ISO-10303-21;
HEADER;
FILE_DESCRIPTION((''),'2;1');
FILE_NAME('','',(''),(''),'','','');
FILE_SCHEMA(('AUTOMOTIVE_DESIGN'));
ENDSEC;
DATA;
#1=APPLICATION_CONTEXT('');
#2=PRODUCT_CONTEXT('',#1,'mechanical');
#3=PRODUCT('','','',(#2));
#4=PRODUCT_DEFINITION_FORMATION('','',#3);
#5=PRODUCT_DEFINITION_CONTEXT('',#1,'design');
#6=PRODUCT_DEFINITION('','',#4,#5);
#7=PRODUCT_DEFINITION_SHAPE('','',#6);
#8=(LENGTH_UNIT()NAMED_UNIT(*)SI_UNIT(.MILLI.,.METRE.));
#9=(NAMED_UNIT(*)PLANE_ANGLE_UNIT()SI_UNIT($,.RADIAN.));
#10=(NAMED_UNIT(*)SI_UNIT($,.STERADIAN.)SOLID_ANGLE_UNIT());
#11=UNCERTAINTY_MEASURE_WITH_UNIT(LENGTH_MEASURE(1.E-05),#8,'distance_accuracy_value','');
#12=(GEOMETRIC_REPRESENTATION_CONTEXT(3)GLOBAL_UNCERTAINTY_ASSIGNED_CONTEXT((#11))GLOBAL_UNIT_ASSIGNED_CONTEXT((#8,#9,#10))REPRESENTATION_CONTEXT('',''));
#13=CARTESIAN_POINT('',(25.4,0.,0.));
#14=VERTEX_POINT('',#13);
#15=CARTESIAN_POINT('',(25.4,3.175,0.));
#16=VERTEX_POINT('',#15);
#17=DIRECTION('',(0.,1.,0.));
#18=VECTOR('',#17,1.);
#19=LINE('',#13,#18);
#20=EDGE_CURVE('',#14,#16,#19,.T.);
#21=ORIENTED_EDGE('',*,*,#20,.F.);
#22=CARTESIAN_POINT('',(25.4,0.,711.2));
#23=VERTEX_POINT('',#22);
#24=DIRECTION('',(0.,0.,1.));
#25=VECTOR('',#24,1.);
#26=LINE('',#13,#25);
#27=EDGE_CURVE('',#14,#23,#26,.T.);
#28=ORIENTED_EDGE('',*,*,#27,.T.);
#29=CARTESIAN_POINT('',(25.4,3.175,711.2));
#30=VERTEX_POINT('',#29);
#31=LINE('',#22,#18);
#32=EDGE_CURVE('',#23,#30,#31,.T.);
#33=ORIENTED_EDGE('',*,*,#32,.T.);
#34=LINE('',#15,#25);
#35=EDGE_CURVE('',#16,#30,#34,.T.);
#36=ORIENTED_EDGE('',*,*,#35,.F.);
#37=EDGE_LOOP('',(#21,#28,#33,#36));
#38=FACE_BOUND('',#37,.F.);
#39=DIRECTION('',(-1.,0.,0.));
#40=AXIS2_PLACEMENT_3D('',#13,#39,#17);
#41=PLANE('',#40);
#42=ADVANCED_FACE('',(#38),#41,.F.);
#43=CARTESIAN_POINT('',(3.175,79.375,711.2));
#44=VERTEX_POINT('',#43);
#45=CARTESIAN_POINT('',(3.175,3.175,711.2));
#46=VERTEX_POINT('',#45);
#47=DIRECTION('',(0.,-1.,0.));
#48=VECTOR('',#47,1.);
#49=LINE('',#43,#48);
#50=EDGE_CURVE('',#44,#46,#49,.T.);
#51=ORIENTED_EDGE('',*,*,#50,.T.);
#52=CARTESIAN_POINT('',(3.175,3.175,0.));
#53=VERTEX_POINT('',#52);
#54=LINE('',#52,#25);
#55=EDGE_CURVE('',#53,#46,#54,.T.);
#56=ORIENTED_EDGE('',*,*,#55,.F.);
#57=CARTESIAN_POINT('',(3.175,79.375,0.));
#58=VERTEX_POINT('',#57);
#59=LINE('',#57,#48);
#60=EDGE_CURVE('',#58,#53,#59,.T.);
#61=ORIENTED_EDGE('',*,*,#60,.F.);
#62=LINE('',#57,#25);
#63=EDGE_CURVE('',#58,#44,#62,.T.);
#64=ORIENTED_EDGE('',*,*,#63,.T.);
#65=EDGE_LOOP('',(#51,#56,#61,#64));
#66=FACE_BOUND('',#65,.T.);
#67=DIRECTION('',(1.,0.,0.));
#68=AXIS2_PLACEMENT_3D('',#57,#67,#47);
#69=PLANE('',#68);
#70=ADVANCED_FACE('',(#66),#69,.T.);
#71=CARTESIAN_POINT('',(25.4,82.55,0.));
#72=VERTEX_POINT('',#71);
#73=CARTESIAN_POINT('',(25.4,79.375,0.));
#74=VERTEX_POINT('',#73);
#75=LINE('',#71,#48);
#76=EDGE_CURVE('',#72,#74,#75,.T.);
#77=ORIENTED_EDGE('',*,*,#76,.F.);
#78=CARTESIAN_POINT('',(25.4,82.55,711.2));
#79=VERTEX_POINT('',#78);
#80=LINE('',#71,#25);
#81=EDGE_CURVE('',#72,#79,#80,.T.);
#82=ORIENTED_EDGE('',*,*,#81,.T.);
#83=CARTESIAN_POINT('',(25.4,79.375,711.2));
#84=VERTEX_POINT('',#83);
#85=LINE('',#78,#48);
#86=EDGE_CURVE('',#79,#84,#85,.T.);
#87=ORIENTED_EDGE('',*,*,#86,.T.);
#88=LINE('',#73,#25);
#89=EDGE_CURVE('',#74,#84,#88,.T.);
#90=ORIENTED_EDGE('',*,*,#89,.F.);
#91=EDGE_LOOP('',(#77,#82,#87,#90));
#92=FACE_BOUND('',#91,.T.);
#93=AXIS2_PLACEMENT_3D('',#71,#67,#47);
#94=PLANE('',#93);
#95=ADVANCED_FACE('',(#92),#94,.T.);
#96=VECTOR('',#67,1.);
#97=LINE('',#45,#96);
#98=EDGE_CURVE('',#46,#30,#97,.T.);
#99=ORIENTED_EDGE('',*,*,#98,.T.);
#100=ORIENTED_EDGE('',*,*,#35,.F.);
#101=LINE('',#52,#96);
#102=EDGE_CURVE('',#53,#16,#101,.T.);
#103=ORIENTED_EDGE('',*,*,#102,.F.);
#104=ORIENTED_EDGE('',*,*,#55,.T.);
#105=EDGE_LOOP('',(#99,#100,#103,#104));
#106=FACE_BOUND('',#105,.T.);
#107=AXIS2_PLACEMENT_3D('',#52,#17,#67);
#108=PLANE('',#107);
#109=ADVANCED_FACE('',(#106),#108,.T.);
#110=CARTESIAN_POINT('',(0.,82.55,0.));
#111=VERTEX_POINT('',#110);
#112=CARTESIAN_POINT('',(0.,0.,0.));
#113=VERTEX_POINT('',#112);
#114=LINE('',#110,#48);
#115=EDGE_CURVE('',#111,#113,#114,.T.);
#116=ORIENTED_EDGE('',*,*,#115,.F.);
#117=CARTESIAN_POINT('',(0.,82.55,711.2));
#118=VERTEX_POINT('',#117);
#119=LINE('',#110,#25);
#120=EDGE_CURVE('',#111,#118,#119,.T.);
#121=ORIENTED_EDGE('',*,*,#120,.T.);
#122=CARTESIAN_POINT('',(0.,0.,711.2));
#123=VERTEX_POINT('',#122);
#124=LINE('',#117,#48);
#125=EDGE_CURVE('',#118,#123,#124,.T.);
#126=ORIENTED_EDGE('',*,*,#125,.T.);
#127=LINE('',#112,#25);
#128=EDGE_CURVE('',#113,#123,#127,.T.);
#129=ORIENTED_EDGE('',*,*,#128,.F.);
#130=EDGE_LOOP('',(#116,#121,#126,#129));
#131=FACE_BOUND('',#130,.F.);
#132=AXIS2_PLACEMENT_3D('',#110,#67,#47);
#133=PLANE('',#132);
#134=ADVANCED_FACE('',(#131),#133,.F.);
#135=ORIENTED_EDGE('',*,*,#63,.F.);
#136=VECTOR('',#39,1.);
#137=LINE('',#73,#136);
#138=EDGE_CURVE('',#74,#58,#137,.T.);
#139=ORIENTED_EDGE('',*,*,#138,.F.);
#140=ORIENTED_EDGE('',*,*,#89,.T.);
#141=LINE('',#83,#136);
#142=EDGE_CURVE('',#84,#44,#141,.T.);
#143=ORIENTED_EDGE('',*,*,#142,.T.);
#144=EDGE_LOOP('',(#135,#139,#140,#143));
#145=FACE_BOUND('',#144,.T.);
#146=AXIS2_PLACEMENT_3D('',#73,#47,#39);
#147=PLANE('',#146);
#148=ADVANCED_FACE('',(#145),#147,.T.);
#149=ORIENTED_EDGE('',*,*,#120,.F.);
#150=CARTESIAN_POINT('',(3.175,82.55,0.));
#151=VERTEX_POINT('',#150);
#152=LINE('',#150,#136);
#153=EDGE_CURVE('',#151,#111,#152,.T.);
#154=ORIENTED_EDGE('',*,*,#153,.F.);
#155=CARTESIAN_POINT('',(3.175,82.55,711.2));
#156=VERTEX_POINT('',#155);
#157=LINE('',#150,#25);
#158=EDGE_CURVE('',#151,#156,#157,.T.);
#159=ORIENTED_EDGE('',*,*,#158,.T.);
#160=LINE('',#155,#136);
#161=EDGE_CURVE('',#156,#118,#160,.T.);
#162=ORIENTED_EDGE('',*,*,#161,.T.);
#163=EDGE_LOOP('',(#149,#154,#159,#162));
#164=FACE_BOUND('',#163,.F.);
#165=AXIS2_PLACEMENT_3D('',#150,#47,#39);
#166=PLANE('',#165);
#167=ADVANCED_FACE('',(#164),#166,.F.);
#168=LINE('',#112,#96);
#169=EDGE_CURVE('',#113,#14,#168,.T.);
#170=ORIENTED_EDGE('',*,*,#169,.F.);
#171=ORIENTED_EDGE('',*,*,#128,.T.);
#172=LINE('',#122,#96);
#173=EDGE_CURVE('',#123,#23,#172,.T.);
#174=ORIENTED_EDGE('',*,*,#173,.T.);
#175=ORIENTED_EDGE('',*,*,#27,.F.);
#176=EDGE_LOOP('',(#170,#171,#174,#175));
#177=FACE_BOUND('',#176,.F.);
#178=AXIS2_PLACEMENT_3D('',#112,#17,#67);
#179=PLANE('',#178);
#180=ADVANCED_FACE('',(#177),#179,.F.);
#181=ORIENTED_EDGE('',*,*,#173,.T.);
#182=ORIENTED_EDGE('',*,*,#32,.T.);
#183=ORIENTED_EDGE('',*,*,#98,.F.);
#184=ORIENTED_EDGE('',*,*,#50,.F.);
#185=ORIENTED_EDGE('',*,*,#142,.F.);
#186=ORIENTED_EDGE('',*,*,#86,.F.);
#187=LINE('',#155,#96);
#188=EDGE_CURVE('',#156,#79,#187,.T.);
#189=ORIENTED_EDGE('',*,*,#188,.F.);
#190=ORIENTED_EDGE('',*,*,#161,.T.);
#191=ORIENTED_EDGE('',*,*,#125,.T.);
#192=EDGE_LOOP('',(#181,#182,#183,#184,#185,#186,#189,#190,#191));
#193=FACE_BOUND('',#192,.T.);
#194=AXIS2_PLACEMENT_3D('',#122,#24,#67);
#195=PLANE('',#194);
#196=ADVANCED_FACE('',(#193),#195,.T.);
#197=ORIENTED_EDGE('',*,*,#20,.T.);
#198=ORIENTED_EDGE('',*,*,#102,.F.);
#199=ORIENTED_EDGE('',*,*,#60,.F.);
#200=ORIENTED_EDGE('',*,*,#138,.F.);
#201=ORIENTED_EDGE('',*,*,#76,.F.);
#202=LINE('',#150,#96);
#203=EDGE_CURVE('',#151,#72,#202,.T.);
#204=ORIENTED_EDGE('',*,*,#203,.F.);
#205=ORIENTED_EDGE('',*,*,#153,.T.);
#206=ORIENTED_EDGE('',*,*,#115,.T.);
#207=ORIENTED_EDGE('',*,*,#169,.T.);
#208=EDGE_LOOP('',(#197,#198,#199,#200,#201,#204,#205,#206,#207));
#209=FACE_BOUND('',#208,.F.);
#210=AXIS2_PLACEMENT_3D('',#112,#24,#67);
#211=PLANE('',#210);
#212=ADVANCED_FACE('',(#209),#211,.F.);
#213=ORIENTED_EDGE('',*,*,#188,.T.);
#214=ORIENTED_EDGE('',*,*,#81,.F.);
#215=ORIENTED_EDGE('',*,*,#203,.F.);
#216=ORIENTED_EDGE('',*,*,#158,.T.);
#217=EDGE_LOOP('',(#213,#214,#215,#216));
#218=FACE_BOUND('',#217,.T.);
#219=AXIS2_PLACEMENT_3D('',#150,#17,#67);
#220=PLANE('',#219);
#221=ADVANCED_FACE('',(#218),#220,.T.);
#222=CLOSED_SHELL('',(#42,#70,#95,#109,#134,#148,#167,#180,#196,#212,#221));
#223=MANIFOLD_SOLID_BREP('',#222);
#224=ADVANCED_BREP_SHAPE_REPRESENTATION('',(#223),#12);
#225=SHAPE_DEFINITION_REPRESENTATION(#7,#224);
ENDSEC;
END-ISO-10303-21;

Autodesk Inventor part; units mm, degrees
ref_plane "YZ Plane" through (0, 0, 0) normal (1, 0, 0) x (0, 1, 0)
ref_plane "XZ Plane" through (0, 0, 0) normal (0, 1, 0) x (-1, 0, 0)
ref_plane "XY Plane" through (0, 0, 0) normal (0, 0, 1) x (1, 0, 0)
sketch "Sketch1" plane through (0, 0, 0) normal (0, 0, 1) x (1, 0, 0)
  line L0 (0, 0) -> (25.4, 0)
  line L1 (25.4, 0) -> (25.4, 3.175)
  line L2 (3.175, 82.55) -> (0, 82.55)
  line L3 (0, 82.55) -> (0, 0)
  line L4 (3.175, 79.375) -> (3.175, 3.175)
  line L5 (3.175, 3.175) -> (25.4, 3.175)
  line L6 (3.175, 82.55) -> (25.4, 82.55)
  line L7 (25.4, 82.55) -> (25.4, 79.375)
  line L8 (25.4, 79.375) -> (3.175, 79.375)
  dimension "d0" = 82.55
  dimension "d1" = 25.4
  dimension "d2" = 3.175
  dimension "d3" = 3.175
  dimension "d6" = 3.175
  dimension "d7" = 25.4
extrude "Extrusion1" add sketch "Sketch1" along normal blind 711.2
equation "\"d3\" = d2"
equation "\"d6\" = d3"
equation "\"d7\" = d1"
properties part number "frame 7 outside U"
